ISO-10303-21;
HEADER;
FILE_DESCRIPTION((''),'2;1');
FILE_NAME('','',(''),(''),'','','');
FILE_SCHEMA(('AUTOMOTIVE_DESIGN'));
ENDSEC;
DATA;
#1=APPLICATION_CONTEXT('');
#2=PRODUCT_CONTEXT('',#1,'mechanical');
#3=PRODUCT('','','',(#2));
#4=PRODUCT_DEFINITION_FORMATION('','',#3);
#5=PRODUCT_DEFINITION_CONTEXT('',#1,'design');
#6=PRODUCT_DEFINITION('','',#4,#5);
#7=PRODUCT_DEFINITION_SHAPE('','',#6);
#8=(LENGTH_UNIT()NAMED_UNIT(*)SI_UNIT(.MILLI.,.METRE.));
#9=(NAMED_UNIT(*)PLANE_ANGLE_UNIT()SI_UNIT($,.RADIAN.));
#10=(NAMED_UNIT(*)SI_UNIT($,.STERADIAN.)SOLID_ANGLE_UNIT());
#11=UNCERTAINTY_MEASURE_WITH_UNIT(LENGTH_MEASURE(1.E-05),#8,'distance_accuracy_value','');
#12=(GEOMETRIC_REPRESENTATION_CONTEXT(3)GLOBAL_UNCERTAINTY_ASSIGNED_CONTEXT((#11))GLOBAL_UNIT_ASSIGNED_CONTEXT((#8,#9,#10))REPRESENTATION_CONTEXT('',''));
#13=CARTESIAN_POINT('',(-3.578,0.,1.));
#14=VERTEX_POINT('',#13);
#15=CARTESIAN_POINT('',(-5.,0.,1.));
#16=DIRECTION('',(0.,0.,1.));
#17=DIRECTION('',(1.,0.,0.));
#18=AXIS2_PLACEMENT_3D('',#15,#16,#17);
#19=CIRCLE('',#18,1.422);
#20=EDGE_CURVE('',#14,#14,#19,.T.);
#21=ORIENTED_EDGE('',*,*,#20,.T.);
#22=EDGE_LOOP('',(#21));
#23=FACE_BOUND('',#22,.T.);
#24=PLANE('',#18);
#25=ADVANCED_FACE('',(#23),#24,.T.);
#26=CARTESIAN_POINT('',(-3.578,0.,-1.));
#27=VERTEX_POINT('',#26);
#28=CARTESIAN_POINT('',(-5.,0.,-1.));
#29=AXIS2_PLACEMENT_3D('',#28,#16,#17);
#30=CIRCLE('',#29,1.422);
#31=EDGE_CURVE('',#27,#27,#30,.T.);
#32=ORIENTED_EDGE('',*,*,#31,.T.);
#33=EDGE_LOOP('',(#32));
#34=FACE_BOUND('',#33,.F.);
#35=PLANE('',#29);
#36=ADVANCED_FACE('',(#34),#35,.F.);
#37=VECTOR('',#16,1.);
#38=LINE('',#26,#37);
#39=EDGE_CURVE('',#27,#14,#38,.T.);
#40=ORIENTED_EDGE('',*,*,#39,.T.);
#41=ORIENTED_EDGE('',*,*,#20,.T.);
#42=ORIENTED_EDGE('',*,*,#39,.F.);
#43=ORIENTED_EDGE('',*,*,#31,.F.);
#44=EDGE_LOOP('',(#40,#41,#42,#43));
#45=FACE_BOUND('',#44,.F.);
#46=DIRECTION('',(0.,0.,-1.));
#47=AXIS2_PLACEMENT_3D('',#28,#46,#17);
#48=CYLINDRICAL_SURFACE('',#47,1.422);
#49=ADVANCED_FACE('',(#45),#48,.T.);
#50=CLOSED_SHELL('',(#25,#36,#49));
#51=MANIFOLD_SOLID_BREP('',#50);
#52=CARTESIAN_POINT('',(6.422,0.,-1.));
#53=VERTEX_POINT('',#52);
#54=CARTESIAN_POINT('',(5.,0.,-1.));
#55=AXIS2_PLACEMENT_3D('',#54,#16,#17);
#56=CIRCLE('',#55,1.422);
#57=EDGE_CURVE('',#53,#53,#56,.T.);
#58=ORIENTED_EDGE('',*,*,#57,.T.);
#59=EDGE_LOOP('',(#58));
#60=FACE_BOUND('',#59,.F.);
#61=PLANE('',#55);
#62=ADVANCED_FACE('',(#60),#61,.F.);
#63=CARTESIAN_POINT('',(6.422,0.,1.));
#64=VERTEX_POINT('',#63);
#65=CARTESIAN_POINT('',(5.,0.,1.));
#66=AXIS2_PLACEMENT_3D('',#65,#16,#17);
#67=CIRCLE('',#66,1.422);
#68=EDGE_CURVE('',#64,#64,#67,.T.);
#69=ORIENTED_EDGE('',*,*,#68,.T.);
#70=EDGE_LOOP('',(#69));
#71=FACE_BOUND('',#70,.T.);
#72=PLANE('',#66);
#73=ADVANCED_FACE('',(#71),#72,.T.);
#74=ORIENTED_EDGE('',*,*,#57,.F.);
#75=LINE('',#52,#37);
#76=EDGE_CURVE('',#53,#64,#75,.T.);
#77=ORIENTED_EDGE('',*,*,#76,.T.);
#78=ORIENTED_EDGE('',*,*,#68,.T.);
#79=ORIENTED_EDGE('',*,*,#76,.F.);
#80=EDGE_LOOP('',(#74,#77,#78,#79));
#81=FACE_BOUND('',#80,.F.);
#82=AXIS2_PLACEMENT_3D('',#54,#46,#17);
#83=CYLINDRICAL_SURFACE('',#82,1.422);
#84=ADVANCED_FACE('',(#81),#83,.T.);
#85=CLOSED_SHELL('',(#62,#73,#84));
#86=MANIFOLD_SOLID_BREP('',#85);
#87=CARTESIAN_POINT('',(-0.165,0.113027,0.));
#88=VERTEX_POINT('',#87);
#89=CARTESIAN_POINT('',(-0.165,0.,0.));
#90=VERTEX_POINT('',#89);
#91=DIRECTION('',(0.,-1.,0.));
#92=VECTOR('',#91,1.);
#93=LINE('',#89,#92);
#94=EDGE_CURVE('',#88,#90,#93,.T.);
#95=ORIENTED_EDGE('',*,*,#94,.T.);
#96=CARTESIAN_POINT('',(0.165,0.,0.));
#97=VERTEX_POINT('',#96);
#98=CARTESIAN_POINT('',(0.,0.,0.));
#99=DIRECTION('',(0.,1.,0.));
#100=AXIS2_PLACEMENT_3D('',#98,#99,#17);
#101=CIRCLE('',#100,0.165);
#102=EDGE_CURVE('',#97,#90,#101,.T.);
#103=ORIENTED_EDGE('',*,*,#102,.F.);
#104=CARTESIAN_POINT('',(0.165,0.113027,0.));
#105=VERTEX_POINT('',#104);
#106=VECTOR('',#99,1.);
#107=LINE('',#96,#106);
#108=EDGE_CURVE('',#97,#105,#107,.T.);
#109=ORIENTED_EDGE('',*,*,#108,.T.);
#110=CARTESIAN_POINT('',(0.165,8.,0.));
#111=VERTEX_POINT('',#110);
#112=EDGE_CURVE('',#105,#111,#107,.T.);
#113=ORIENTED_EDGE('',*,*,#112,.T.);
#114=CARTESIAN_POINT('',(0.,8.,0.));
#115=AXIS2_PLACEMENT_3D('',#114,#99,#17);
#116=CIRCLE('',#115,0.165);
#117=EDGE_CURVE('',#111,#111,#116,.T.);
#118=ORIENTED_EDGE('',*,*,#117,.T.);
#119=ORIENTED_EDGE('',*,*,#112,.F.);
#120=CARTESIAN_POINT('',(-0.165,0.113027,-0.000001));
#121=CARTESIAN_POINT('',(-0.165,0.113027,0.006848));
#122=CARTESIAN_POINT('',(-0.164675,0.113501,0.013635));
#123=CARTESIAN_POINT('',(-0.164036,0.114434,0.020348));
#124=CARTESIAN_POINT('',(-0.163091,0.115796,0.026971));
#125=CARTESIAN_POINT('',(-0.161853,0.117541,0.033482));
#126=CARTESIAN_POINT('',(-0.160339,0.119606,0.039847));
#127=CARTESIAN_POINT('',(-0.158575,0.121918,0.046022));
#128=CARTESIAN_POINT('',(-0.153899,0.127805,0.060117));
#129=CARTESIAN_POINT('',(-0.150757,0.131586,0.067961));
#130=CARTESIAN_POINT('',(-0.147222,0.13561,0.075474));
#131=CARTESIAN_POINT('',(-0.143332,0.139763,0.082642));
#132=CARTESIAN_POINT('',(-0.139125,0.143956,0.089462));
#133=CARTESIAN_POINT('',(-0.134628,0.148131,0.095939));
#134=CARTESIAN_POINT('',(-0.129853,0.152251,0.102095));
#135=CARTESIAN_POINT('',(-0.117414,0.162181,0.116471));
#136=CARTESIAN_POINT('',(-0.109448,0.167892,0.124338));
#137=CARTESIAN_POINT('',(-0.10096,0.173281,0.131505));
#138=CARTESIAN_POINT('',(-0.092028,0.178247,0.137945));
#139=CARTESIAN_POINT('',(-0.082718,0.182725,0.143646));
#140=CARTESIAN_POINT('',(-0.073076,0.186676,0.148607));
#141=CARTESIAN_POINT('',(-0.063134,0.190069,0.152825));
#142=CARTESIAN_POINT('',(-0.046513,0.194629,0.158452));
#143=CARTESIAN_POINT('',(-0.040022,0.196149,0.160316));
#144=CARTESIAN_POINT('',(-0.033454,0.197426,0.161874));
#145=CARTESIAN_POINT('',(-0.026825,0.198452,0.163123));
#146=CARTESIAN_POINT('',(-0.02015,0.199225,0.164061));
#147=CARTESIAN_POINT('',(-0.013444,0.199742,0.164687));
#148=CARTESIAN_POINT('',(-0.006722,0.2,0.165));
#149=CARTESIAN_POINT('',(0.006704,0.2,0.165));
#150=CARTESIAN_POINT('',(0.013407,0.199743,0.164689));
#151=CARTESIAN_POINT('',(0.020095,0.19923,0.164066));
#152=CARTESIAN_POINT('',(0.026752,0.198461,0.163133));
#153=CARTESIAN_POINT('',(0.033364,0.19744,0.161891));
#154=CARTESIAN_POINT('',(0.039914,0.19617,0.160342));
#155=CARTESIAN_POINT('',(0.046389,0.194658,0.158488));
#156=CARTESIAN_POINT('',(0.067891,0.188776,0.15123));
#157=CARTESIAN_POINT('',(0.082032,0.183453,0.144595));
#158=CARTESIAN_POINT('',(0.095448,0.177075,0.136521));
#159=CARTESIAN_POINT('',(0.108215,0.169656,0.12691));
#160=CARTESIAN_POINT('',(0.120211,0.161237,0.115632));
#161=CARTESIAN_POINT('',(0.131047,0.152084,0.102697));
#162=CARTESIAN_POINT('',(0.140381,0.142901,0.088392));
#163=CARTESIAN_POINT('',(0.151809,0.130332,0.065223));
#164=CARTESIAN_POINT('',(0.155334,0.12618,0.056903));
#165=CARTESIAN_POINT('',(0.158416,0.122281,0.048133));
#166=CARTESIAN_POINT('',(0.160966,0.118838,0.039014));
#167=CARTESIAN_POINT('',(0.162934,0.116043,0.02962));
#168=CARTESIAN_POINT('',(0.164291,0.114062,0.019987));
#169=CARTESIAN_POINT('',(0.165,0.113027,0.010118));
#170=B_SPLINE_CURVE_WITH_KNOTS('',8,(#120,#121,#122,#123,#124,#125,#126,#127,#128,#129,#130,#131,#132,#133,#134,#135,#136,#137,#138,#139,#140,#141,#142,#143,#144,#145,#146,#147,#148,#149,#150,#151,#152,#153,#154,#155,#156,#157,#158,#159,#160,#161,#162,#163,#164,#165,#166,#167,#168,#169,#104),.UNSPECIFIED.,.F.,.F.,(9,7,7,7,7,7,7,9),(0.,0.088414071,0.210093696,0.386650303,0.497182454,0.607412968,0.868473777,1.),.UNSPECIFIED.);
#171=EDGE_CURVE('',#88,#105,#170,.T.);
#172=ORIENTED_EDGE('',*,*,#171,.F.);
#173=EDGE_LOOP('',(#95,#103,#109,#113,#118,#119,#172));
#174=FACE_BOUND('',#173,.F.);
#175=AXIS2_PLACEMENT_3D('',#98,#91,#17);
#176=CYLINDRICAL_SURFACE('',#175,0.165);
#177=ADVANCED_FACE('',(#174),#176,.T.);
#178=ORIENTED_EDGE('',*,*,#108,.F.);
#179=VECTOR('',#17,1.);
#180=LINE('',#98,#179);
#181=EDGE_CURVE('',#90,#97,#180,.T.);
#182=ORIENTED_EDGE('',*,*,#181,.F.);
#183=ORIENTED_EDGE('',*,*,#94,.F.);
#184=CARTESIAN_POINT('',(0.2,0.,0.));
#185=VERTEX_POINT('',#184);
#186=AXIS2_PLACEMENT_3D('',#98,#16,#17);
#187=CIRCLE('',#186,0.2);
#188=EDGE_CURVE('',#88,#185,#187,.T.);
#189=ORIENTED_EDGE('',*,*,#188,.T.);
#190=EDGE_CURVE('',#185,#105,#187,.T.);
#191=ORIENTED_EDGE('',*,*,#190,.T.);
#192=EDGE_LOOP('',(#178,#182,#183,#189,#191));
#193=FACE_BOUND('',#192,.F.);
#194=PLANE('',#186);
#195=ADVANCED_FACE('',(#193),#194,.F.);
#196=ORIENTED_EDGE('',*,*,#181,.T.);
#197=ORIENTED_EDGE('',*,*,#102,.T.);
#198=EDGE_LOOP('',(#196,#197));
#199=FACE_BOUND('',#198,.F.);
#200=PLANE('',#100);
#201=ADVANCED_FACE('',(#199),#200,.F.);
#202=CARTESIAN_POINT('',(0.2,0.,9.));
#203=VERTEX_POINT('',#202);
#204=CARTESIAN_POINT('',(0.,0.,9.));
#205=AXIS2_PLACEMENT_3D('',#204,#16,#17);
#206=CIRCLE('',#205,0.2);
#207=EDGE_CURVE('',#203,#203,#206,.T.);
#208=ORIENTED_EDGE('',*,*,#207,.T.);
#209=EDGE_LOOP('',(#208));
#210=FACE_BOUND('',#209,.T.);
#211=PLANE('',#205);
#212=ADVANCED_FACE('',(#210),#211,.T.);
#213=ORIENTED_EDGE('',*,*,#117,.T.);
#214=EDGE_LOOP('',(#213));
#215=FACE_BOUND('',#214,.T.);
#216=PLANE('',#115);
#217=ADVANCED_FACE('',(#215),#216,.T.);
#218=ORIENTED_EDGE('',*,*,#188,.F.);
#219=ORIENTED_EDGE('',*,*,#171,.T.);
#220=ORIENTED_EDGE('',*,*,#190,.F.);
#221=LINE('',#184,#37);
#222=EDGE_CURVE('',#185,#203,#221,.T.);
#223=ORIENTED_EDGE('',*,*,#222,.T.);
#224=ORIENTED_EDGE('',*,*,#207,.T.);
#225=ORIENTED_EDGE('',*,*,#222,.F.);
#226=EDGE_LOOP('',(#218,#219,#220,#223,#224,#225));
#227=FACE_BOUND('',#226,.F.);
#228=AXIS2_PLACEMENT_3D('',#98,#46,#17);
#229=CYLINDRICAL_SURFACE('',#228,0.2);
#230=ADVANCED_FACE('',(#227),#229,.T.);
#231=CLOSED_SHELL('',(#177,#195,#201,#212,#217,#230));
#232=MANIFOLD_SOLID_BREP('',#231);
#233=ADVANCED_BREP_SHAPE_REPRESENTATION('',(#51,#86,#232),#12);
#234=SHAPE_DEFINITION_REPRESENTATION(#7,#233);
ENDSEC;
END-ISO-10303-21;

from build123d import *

# Parameters (mm, degrees)
CYLINDER136_R     = 0.2
CYLINDER136_DEPTH = 9
CYLINDER_R        = 1.422
CYLINDER_DEPTH    = 2
CYLINDER139_R     = 1.422
CYLINDER139_DEPTH = 2
CYLINDER138_R     = 0.165
CYLINDER138_DEPTH = 8


with BuildPart() as bowtienozzle:
    # Cylinder136 → Cylinder136 (new body)
    with BuildSketch(Plane.XY):
        Circle(CYLINDER136_R)
    extrude(amount=CYLINDER136_DEPTH)


with BuildPart() as mountinghole1:
    # Cylinder → Cylinder (new body)
    with BuildSketch(Plane(origin=(-5, 0, -1), x_dir=(1, 0, 0), z_dir=(0, 0, 1))):
        Circle(CYLINDER_R)
    extrude(amount=CYLINDER_DEPTH)


with BuildPart() as mountinghole2:
    # Cylinder139 → Cylinder139 (new body)
    with BuildSketch(Plane(origin=(5, 0, -1), x_dir=(1, 0, 0), z_dir=(0, 0, 1))):
        Circle(CYLINDER139_R)
    extrude(amount=CYLINDER139_DEPTH)


with BuildPart() as fusion001:
    # Cylinder138 → Cylinder138 (new body)
    with BuildSketch(Plane(origin=(0, 0, 0), x_dir=(1, 0, 0), z_dir=(0, 1, 0))):
        Circle(CYLINDER138_R)
    extrude(amount=CYLINDER138_DEPTH)

    # Fusion001: union BowTieNozzle, MountingHole1, MountingHole2
    add(bowtienozzle.part)
    add(mountinghole1.part)
    add(mountinghole2.part)


solid = fusion001.part
